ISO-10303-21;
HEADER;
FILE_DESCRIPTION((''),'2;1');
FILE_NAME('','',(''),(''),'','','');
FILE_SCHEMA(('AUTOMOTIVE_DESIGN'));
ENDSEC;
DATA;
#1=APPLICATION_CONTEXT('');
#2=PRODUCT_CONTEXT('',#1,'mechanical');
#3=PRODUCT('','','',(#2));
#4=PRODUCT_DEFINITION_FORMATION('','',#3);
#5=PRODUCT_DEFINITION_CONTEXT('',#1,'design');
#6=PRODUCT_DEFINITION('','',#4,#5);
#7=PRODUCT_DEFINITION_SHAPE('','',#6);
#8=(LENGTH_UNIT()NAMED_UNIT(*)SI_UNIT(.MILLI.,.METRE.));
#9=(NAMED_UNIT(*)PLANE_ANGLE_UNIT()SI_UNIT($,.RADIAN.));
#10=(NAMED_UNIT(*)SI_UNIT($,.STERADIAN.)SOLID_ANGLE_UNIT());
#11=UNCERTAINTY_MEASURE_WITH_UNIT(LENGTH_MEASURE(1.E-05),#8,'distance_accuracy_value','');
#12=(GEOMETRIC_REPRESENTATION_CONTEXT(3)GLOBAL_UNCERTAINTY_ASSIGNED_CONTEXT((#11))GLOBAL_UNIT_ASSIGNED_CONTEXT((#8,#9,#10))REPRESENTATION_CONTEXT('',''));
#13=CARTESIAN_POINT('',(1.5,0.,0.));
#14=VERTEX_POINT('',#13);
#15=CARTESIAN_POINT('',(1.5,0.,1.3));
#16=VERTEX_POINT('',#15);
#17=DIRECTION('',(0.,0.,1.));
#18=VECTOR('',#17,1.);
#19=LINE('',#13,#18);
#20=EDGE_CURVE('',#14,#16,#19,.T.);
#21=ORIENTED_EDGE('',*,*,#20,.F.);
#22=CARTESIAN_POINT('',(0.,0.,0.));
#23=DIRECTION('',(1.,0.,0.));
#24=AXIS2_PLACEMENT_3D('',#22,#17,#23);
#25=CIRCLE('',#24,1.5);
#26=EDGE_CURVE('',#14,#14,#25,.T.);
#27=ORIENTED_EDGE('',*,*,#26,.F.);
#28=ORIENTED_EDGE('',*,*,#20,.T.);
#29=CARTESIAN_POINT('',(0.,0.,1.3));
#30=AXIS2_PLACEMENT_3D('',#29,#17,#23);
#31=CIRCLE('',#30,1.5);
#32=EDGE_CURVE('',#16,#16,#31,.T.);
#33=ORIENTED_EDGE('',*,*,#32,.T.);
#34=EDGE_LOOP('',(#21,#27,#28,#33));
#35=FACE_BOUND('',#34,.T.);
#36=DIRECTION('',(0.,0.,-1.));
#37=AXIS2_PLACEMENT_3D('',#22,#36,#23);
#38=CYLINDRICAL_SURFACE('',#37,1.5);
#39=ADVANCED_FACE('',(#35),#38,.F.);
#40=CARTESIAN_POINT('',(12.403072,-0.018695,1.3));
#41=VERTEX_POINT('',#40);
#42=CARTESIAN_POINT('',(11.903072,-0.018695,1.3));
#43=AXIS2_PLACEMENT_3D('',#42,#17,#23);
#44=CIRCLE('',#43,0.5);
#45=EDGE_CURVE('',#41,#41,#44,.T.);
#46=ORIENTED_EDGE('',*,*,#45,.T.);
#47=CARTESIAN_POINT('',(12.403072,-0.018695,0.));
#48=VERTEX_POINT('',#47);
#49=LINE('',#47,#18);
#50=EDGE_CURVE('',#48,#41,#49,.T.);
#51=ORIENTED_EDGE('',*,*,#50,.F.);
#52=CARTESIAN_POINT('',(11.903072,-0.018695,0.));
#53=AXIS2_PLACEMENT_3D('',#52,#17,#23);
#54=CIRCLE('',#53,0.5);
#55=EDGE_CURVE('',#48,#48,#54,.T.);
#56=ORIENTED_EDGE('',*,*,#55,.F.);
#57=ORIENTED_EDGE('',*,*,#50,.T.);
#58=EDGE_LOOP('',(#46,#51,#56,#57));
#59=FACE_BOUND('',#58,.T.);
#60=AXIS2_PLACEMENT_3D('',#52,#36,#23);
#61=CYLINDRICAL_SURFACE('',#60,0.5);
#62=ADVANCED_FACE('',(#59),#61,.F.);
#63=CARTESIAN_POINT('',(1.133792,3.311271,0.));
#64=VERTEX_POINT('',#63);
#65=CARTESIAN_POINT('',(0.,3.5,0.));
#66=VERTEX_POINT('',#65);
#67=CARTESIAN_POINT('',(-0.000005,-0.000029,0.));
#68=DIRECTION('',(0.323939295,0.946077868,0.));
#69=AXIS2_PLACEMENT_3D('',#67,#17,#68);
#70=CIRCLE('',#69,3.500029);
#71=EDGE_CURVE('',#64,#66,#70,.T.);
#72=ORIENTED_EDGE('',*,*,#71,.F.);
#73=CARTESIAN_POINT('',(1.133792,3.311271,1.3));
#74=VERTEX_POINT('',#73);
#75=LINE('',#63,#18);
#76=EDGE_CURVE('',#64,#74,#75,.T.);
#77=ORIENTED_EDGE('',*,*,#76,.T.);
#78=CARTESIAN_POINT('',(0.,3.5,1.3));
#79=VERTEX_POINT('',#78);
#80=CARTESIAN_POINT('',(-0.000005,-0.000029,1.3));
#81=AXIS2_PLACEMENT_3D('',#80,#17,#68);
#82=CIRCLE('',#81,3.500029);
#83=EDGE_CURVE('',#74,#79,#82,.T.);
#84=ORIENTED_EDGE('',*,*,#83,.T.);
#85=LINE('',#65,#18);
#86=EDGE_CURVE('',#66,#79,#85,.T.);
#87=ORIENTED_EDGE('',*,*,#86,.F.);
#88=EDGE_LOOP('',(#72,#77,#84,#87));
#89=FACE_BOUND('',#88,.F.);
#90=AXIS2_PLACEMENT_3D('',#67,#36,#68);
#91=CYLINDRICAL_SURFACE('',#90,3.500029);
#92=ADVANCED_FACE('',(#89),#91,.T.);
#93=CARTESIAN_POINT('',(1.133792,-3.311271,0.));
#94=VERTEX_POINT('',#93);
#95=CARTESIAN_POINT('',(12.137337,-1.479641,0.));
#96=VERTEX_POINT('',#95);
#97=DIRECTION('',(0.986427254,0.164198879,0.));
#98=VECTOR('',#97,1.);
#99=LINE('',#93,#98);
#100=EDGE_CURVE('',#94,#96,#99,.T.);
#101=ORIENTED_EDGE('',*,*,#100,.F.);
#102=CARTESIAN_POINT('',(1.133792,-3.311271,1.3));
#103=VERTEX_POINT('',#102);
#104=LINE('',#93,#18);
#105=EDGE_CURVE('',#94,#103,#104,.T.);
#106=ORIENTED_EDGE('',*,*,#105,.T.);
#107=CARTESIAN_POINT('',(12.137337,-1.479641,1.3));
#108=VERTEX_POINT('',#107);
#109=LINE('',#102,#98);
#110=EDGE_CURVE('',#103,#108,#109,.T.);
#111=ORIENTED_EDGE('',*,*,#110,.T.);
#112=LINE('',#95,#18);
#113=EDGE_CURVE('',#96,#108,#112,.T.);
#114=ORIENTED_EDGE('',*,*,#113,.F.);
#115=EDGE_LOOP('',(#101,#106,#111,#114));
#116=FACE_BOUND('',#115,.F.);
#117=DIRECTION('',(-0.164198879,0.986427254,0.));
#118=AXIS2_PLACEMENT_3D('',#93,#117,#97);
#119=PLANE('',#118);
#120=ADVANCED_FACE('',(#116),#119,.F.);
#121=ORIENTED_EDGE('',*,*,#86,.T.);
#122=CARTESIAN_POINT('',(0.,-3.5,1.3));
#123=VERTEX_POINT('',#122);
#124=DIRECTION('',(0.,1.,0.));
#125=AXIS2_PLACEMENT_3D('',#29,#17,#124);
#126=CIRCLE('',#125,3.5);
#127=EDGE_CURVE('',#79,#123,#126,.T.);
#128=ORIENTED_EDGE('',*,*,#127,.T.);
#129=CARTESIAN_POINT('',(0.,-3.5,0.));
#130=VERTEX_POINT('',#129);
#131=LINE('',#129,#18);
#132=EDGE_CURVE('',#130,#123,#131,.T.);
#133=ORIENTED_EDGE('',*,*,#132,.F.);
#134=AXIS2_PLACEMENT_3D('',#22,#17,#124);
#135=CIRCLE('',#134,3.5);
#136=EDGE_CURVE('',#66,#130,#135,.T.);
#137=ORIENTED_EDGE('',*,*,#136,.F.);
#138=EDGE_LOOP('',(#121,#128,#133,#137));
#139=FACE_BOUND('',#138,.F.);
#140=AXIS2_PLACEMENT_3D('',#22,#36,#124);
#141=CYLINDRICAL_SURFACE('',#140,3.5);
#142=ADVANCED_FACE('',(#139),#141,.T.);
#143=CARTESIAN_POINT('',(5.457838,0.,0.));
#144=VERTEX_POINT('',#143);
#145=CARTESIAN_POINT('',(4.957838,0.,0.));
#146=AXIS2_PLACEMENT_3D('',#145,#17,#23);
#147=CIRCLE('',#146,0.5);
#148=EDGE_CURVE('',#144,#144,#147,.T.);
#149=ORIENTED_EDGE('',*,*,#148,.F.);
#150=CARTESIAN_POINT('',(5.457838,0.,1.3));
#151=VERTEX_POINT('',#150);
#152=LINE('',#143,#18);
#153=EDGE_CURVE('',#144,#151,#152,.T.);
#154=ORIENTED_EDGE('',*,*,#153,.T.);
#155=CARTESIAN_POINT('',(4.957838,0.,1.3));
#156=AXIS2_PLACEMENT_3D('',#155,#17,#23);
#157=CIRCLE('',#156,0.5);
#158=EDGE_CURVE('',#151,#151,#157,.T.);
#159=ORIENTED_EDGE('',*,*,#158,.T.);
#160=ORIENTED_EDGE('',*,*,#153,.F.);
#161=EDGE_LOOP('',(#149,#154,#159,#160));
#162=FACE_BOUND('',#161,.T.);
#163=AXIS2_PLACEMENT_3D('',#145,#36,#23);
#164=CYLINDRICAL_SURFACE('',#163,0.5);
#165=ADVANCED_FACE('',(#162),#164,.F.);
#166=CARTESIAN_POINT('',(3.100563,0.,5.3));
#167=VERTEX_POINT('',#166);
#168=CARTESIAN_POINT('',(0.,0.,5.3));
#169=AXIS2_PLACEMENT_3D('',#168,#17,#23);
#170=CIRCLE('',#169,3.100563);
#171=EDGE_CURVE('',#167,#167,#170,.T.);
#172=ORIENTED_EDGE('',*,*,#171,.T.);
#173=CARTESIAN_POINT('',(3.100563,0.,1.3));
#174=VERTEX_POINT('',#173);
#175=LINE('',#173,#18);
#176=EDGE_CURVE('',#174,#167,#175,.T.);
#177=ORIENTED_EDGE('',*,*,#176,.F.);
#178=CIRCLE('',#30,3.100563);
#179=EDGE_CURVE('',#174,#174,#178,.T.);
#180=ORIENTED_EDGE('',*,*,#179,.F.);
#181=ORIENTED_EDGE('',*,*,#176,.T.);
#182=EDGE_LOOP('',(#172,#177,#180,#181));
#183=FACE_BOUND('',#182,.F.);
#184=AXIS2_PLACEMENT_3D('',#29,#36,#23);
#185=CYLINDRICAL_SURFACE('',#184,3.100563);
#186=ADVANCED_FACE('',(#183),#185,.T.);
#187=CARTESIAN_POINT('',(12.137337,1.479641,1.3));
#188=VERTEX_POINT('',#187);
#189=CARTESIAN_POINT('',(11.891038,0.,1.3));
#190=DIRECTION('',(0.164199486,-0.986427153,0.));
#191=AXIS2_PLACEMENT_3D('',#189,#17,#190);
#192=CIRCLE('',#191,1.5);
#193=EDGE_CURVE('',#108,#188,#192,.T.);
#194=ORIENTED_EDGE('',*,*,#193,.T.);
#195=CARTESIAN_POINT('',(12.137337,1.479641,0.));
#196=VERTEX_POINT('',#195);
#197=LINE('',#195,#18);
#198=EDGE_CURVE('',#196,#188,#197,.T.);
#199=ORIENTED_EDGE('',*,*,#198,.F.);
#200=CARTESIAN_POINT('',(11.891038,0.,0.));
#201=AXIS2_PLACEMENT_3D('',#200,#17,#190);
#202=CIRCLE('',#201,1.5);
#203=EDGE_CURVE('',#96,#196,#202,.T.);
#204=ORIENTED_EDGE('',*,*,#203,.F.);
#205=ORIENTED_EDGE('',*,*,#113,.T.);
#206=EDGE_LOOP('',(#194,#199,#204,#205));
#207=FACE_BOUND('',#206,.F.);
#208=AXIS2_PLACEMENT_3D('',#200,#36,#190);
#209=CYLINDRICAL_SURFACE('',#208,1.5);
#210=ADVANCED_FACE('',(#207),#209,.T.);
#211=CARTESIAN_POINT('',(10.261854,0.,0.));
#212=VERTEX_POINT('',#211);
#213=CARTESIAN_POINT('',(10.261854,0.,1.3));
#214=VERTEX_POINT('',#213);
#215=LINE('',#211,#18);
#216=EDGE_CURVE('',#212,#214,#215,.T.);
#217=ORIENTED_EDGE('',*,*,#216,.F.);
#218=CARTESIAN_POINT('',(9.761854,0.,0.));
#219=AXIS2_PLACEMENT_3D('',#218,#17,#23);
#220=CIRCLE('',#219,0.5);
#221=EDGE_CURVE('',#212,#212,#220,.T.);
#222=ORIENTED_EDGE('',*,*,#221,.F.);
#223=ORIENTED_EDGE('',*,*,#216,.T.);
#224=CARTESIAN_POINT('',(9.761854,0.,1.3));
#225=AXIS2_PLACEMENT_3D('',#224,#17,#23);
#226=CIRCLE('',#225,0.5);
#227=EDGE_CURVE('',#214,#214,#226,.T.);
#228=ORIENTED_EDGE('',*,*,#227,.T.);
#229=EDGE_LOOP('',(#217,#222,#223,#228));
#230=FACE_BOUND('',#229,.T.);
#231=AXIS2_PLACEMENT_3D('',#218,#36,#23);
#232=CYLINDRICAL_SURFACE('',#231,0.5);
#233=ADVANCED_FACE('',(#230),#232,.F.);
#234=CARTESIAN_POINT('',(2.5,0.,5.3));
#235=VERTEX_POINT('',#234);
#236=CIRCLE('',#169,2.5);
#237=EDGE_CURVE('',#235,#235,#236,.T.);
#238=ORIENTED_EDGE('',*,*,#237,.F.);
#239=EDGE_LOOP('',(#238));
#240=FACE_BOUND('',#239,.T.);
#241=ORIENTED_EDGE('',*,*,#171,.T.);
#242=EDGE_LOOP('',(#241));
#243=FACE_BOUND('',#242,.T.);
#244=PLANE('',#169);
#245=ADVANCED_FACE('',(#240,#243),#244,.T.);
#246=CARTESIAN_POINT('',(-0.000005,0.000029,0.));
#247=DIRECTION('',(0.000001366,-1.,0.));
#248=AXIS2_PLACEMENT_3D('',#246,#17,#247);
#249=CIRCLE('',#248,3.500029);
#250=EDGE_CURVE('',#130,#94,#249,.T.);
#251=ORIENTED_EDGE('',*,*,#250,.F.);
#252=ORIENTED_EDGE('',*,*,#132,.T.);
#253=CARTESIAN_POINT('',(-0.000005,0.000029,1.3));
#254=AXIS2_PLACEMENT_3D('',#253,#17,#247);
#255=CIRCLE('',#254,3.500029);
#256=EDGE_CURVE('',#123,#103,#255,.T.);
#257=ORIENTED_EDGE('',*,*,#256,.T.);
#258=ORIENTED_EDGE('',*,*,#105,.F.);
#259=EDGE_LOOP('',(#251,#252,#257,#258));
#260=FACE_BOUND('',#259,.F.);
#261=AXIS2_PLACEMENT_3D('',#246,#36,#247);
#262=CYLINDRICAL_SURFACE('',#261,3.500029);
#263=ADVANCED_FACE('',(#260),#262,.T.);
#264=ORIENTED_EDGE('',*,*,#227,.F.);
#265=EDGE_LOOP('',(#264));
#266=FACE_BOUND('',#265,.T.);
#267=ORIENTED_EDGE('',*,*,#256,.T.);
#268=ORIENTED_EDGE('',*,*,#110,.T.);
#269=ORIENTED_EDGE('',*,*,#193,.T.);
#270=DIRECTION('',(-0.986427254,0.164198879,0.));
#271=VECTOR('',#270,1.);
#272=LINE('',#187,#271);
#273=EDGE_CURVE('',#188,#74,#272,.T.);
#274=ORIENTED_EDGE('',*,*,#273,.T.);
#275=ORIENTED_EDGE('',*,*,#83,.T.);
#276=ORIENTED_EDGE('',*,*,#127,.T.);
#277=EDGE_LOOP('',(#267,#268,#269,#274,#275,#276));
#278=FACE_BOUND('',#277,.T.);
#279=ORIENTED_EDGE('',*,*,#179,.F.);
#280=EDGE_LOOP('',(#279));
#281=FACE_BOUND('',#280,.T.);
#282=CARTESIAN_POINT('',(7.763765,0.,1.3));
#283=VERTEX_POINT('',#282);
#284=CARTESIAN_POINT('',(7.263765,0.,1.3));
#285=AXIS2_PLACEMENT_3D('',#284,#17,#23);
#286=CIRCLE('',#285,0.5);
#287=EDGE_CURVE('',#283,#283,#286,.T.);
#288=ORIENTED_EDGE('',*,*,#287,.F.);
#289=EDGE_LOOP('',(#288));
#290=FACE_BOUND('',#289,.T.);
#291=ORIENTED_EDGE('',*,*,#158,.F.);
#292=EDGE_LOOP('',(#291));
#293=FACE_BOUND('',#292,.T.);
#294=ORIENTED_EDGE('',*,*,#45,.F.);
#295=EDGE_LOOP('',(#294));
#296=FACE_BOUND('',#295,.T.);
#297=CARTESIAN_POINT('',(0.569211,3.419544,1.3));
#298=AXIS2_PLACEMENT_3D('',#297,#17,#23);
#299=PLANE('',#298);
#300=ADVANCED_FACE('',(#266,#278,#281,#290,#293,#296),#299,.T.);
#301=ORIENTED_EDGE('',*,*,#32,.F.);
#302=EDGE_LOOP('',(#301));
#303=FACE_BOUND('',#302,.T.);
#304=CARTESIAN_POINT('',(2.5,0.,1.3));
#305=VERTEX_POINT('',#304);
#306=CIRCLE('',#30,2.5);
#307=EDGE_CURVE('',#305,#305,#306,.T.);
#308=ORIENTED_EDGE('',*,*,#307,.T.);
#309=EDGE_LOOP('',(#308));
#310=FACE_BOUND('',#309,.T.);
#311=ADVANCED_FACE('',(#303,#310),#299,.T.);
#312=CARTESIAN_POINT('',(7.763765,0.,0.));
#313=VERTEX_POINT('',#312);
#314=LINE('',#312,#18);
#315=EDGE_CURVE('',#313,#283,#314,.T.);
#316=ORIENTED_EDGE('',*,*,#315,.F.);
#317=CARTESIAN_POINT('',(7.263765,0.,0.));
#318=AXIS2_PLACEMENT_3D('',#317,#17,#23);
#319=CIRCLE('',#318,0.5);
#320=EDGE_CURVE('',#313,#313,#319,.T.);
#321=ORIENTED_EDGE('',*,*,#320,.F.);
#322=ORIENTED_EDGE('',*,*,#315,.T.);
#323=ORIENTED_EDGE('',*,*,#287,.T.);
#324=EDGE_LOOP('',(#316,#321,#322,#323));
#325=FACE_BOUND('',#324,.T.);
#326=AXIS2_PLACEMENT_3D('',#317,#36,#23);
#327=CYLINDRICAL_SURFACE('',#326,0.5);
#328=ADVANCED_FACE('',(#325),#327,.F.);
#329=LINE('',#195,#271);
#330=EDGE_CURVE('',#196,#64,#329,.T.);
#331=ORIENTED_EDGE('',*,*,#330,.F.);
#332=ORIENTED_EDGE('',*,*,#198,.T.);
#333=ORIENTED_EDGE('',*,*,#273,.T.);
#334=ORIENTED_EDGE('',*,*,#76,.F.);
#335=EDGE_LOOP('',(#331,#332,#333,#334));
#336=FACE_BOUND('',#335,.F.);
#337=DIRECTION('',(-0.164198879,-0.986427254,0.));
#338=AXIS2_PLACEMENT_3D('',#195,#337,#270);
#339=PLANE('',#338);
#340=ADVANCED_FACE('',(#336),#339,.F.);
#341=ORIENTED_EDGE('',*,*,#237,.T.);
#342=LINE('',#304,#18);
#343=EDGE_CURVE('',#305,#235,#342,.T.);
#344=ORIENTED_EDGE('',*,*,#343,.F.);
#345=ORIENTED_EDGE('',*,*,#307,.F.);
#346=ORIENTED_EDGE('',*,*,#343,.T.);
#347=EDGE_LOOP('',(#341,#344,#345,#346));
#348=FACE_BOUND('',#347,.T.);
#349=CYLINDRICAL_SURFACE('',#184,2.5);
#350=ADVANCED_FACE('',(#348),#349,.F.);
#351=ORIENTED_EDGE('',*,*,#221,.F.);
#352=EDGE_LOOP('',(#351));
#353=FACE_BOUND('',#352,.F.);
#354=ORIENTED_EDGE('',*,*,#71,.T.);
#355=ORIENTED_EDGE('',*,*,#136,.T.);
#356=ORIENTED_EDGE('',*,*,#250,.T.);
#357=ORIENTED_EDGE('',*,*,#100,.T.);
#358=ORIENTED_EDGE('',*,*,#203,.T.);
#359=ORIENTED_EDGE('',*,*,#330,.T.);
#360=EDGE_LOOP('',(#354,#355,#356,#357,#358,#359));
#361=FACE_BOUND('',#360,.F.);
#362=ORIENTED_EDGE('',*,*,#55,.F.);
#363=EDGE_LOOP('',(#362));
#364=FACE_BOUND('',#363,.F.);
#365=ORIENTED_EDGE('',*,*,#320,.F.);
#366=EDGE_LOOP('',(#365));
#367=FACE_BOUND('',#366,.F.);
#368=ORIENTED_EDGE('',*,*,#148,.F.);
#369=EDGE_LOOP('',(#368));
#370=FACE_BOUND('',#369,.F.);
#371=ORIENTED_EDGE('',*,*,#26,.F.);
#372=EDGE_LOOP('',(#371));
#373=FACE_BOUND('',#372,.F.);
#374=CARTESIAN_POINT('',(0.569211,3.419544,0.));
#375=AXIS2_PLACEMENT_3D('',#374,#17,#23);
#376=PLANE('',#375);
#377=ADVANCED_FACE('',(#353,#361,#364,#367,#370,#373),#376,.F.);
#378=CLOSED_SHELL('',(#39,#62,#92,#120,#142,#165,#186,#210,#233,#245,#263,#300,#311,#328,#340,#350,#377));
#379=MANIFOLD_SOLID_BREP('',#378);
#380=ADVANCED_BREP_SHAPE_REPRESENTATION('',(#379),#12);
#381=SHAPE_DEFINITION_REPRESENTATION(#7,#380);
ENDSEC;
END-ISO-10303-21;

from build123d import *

# Parameters (mm, degrees)
F0_R     = 0.5
F0_R_2   = 1.5
F1_DEPTH = 1.3
F2_R     = 3.100563
F2_R_2   = 2.5
F3_DEPTH = 4


with BuildPart() as f1:
    # F0 (on Top) → F1 (new body)
    with BuildSketch(Plane.XY):
        with BuildLine():
            Line((0, 3.5), (1.133792, 3.311271))
            ThreePointArc((1.133792, 3.311271), (0.574696, 3.452495), (0, 3.5))
        make_face()
        with BuildLine():
            Line((12.137337, 1.479641), (1.133792, 3.311271))
            Line((1.133792, 3.311271), (0, 3.5))
            ThreePointArc((0, 3.5), (-3.5, 0), (0, -3.5))
            Line((0, -3.5), (1.133792, -3.311271))
            Line((1.133792, -3.311271), (12.137337, -1.479641))
            ThreePointArc((12.137337, -1.479641), (13.391038, 0), (12.137337, 1.479641))
        make_face()
        with Locations((11.903072, -0.018695)):
            Circle(F0_R, mode=Mode.SUBTRACT)
        Circle(F0_R_2, mode=Mode.SUBTRACT)
        with Locations((4.957838, 0)):
            Circle(F0_R, mode=Mode.SUBTRACT)
        with Locations((7.263765, 0)):
            Circle(F0_R, mode=Mode.SUBTRACT)
        with Locations((9.761854, 0)):
            Circle(F0_R, mode=Mode.SUBTRACT)
        with BuildLine():
            Line((1.133792, -3.311271), (0, -3.5))
            ThreePointArc((0, -3.5), (0.574696, -3.452495), (1.133792, -3.311271))
        make_face()
    extrude(amount=F1_DEPTH)

    # F2 (on face) → F3 (join)
    with BuildSketch(Plane.XY.offset(1.3)):
        Circle(F2_R)
        Circle(F2_R_2, mode=Mode.SUBTRACT)
    extrude(amount=F3_DEPTH)


solid = f1.part
